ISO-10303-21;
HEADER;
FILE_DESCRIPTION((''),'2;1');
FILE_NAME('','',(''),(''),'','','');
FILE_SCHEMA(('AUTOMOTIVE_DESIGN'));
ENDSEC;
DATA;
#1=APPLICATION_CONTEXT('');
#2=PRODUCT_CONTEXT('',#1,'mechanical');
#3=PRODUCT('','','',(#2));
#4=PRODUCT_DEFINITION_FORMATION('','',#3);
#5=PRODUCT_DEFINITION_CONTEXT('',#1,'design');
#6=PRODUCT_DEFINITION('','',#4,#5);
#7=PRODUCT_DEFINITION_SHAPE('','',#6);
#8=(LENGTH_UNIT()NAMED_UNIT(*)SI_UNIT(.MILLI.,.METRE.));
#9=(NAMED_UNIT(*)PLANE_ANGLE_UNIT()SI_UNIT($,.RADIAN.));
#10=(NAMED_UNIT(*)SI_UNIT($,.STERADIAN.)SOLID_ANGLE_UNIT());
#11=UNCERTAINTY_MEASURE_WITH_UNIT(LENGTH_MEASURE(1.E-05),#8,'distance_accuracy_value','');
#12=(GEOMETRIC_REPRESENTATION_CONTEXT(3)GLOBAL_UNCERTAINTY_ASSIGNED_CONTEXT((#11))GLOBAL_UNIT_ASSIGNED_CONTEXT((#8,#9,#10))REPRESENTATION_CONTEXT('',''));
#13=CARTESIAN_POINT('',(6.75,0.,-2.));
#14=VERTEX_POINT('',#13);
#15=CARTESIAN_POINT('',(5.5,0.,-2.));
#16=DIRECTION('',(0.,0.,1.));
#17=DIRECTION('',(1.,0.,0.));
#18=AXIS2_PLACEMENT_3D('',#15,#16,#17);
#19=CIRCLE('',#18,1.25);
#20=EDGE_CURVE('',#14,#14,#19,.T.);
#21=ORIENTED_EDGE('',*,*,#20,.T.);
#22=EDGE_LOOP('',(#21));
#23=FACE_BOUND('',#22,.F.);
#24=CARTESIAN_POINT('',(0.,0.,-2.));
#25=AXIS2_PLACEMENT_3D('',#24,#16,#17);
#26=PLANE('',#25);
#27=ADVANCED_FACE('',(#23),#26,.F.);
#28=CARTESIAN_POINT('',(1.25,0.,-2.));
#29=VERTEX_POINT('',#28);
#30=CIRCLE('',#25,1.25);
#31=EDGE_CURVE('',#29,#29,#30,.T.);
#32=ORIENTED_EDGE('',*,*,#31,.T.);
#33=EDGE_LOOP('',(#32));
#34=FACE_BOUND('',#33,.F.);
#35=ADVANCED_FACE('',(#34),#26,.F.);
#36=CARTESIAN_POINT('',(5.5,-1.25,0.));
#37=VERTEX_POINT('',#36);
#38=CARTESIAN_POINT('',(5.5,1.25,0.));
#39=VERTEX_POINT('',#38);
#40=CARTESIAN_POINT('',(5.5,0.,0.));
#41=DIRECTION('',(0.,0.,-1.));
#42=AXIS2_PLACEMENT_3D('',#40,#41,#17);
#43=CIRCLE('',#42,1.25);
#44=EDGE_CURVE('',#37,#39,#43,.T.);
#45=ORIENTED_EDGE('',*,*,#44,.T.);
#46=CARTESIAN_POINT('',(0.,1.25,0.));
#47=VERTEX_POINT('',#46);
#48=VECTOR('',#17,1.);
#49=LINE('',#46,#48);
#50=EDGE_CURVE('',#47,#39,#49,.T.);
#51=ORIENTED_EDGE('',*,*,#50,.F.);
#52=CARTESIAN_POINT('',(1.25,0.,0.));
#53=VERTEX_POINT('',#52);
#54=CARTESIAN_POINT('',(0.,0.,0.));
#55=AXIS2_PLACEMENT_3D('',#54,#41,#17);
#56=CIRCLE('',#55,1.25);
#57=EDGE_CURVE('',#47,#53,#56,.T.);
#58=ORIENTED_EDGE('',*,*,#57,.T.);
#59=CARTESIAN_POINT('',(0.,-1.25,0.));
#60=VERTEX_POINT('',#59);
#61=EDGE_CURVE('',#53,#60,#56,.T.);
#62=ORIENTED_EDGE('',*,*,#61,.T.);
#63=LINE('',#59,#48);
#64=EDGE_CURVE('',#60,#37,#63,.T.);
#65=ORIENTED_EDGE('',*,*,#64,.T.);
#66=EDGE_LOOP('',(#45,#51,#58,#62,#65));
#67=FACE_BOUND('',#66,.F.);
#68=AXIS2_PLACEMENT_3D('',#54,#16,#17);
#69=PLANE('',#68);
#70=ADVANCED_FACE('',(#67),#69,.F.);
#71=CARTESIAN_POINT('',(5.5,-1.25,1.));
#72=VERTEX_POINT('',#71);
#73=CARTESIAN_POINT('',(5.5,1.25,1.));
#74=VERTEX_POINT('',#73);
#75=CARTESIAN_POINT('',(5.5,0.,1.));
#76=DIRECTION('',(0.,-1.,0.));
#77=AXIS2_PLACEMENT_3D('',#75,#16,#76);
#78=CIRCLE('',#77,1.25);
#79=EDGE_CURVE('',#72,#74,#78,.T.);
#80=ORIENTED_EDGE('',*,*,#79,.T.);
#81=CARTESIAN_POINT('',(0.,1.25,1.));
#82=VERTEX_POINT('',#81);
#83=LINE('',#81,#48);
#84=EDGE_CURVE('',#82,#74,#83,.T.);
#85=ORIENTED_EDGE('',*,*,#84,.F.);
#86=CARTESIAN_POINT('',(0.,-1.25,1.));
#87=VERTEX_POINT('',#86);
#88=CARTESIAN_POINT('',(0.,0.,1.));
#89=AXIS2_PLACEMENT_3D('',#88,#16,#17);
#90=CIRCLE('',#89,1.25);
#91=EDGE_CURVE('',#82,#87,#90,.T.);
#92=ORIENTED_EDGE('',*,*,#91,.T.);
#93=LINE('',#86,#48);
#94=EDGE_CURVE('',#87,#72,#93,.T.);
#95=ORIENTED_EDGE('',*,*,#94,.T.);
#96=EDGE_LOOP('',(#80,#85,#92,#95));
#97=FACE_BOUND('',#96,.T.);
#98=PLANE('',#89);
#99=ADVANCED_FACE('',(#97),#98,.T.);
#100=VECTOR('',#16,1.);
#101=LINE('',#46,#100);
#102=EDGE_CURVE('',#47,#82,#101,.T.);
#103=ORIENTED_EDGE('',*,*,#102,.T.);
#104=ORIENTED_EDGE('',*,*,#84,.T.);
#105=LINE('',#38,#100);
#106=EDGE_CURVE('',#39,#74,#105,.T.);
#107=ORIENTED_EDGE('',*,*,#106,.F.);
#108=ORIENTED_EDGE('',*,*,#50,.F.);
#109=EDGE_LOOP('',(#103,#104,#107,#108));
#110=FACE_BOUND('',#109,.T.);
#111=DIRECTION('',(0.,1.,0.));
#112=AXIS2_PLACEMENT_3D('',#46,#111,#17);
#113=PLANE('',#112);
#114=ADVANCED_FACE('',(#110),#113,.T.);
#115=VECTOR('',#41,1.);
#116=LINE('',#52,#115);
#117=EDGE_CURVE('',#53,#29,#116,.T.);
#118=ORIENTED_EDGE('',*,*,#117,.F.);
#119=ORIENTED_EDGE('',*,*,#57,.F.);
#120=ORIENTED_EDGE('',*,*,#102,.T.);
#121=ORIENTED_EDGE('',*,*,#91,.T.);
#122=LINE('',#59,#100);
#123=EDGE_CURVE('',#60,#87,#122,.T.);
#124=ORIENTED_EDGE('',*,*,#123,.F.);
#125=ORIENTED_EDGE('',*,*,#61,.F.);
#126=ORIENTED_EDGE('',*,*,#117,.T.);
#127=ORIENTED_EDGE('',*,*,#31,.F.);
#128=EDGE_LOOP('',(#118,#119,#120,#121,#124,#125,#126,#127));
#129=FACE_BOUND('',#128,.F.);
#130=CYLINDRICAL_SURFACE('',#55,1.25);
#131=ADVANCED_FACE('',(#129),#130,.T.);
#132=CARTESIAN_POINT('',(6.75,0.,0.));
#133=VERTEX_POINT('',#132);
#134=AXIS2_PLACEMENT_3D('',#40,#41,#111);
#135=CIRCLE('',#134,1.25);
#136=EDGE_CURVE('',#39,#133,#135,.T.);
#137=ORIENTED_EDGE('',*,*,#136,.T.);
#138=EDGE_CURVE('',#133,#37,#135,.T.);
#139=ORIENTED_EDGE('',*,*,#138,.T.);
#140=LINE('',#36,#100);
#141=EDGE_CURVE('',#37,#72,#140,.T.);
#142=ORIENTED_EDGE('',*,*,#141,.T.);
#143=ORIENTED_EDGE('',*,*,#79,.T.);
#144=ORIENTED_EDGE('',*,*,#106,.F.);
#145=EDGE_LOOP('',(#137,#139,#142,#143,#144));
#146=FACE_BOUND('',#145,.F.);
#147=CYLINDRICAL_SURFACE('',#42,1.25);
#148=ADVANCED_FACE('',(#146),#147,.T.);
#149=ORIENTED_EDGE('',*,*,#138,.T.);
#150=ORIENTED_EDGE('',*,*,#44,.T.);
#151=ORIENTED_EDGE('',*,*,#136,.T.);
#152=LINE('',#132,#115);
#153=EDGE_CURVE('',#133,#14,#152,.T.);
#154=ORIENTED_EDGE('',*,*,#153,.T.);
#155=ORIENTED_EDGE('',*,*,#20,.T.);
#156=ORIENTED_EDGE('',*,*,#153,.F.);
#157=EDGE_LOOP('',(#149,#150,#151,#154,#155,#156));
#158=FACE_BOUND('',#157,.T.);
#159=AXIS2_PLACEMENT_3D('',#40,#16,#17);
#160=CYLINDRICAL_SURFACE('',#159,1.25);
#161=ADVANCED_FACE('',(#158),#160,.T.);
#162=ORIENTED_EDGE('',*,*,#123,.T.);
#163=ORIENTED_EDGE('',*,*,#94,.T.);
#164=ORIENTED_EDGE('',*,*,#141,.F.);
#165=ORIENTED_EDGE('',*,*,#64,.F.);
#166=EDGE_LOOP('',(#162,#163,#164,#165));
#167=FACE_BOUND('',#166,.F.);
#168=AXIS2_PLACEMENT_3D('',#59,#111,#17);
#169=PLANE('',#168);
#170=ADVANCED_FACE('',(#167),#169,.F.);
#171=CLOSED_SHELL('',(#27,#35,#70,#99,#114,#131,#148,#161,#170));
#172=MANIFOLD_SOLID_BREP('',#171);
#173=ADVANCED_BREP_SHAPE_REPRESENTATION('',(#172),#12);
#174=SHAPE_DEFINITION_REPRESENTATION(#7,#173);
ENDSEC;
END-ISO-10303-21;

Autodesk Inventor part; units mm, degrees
ref_plane "YZ Plane" through (0, 0, 0) normal (1, 0, 0) x (0, 1, 0)
ref_plane "XZ Plane" through (0, 0, 0) normal (0, 1, 0) x (-1, 0, 0)
ref_plane "XY Plane" through (0, 0, 0) normal (0, 0, 1) x (1, 0, 0)
sketch "스케치1" plane through (0, 0, 0) normal (0, 0, 1) x (1, 0, 0)
  circle A0 centre (0, 0) radius 1.25
  circle A1 centre (5.5, 0) radius 1.25
  line L0 (0, 1.25) -> (5.5, 1.25)
  line L1 (0, -1.25) -> (5.5, -1.25)
  dimension "d0" = 5.5
  dimension "d1" = 2.5
extrude "돌출1" add sketch "스케치1" along normal blind 1
extrude "돌출2" add sketch "스케치1" against normal blind 2 contours A0 | A1
properties part number "ModuleConnector_Axis_Connector_3D 인쇄"
